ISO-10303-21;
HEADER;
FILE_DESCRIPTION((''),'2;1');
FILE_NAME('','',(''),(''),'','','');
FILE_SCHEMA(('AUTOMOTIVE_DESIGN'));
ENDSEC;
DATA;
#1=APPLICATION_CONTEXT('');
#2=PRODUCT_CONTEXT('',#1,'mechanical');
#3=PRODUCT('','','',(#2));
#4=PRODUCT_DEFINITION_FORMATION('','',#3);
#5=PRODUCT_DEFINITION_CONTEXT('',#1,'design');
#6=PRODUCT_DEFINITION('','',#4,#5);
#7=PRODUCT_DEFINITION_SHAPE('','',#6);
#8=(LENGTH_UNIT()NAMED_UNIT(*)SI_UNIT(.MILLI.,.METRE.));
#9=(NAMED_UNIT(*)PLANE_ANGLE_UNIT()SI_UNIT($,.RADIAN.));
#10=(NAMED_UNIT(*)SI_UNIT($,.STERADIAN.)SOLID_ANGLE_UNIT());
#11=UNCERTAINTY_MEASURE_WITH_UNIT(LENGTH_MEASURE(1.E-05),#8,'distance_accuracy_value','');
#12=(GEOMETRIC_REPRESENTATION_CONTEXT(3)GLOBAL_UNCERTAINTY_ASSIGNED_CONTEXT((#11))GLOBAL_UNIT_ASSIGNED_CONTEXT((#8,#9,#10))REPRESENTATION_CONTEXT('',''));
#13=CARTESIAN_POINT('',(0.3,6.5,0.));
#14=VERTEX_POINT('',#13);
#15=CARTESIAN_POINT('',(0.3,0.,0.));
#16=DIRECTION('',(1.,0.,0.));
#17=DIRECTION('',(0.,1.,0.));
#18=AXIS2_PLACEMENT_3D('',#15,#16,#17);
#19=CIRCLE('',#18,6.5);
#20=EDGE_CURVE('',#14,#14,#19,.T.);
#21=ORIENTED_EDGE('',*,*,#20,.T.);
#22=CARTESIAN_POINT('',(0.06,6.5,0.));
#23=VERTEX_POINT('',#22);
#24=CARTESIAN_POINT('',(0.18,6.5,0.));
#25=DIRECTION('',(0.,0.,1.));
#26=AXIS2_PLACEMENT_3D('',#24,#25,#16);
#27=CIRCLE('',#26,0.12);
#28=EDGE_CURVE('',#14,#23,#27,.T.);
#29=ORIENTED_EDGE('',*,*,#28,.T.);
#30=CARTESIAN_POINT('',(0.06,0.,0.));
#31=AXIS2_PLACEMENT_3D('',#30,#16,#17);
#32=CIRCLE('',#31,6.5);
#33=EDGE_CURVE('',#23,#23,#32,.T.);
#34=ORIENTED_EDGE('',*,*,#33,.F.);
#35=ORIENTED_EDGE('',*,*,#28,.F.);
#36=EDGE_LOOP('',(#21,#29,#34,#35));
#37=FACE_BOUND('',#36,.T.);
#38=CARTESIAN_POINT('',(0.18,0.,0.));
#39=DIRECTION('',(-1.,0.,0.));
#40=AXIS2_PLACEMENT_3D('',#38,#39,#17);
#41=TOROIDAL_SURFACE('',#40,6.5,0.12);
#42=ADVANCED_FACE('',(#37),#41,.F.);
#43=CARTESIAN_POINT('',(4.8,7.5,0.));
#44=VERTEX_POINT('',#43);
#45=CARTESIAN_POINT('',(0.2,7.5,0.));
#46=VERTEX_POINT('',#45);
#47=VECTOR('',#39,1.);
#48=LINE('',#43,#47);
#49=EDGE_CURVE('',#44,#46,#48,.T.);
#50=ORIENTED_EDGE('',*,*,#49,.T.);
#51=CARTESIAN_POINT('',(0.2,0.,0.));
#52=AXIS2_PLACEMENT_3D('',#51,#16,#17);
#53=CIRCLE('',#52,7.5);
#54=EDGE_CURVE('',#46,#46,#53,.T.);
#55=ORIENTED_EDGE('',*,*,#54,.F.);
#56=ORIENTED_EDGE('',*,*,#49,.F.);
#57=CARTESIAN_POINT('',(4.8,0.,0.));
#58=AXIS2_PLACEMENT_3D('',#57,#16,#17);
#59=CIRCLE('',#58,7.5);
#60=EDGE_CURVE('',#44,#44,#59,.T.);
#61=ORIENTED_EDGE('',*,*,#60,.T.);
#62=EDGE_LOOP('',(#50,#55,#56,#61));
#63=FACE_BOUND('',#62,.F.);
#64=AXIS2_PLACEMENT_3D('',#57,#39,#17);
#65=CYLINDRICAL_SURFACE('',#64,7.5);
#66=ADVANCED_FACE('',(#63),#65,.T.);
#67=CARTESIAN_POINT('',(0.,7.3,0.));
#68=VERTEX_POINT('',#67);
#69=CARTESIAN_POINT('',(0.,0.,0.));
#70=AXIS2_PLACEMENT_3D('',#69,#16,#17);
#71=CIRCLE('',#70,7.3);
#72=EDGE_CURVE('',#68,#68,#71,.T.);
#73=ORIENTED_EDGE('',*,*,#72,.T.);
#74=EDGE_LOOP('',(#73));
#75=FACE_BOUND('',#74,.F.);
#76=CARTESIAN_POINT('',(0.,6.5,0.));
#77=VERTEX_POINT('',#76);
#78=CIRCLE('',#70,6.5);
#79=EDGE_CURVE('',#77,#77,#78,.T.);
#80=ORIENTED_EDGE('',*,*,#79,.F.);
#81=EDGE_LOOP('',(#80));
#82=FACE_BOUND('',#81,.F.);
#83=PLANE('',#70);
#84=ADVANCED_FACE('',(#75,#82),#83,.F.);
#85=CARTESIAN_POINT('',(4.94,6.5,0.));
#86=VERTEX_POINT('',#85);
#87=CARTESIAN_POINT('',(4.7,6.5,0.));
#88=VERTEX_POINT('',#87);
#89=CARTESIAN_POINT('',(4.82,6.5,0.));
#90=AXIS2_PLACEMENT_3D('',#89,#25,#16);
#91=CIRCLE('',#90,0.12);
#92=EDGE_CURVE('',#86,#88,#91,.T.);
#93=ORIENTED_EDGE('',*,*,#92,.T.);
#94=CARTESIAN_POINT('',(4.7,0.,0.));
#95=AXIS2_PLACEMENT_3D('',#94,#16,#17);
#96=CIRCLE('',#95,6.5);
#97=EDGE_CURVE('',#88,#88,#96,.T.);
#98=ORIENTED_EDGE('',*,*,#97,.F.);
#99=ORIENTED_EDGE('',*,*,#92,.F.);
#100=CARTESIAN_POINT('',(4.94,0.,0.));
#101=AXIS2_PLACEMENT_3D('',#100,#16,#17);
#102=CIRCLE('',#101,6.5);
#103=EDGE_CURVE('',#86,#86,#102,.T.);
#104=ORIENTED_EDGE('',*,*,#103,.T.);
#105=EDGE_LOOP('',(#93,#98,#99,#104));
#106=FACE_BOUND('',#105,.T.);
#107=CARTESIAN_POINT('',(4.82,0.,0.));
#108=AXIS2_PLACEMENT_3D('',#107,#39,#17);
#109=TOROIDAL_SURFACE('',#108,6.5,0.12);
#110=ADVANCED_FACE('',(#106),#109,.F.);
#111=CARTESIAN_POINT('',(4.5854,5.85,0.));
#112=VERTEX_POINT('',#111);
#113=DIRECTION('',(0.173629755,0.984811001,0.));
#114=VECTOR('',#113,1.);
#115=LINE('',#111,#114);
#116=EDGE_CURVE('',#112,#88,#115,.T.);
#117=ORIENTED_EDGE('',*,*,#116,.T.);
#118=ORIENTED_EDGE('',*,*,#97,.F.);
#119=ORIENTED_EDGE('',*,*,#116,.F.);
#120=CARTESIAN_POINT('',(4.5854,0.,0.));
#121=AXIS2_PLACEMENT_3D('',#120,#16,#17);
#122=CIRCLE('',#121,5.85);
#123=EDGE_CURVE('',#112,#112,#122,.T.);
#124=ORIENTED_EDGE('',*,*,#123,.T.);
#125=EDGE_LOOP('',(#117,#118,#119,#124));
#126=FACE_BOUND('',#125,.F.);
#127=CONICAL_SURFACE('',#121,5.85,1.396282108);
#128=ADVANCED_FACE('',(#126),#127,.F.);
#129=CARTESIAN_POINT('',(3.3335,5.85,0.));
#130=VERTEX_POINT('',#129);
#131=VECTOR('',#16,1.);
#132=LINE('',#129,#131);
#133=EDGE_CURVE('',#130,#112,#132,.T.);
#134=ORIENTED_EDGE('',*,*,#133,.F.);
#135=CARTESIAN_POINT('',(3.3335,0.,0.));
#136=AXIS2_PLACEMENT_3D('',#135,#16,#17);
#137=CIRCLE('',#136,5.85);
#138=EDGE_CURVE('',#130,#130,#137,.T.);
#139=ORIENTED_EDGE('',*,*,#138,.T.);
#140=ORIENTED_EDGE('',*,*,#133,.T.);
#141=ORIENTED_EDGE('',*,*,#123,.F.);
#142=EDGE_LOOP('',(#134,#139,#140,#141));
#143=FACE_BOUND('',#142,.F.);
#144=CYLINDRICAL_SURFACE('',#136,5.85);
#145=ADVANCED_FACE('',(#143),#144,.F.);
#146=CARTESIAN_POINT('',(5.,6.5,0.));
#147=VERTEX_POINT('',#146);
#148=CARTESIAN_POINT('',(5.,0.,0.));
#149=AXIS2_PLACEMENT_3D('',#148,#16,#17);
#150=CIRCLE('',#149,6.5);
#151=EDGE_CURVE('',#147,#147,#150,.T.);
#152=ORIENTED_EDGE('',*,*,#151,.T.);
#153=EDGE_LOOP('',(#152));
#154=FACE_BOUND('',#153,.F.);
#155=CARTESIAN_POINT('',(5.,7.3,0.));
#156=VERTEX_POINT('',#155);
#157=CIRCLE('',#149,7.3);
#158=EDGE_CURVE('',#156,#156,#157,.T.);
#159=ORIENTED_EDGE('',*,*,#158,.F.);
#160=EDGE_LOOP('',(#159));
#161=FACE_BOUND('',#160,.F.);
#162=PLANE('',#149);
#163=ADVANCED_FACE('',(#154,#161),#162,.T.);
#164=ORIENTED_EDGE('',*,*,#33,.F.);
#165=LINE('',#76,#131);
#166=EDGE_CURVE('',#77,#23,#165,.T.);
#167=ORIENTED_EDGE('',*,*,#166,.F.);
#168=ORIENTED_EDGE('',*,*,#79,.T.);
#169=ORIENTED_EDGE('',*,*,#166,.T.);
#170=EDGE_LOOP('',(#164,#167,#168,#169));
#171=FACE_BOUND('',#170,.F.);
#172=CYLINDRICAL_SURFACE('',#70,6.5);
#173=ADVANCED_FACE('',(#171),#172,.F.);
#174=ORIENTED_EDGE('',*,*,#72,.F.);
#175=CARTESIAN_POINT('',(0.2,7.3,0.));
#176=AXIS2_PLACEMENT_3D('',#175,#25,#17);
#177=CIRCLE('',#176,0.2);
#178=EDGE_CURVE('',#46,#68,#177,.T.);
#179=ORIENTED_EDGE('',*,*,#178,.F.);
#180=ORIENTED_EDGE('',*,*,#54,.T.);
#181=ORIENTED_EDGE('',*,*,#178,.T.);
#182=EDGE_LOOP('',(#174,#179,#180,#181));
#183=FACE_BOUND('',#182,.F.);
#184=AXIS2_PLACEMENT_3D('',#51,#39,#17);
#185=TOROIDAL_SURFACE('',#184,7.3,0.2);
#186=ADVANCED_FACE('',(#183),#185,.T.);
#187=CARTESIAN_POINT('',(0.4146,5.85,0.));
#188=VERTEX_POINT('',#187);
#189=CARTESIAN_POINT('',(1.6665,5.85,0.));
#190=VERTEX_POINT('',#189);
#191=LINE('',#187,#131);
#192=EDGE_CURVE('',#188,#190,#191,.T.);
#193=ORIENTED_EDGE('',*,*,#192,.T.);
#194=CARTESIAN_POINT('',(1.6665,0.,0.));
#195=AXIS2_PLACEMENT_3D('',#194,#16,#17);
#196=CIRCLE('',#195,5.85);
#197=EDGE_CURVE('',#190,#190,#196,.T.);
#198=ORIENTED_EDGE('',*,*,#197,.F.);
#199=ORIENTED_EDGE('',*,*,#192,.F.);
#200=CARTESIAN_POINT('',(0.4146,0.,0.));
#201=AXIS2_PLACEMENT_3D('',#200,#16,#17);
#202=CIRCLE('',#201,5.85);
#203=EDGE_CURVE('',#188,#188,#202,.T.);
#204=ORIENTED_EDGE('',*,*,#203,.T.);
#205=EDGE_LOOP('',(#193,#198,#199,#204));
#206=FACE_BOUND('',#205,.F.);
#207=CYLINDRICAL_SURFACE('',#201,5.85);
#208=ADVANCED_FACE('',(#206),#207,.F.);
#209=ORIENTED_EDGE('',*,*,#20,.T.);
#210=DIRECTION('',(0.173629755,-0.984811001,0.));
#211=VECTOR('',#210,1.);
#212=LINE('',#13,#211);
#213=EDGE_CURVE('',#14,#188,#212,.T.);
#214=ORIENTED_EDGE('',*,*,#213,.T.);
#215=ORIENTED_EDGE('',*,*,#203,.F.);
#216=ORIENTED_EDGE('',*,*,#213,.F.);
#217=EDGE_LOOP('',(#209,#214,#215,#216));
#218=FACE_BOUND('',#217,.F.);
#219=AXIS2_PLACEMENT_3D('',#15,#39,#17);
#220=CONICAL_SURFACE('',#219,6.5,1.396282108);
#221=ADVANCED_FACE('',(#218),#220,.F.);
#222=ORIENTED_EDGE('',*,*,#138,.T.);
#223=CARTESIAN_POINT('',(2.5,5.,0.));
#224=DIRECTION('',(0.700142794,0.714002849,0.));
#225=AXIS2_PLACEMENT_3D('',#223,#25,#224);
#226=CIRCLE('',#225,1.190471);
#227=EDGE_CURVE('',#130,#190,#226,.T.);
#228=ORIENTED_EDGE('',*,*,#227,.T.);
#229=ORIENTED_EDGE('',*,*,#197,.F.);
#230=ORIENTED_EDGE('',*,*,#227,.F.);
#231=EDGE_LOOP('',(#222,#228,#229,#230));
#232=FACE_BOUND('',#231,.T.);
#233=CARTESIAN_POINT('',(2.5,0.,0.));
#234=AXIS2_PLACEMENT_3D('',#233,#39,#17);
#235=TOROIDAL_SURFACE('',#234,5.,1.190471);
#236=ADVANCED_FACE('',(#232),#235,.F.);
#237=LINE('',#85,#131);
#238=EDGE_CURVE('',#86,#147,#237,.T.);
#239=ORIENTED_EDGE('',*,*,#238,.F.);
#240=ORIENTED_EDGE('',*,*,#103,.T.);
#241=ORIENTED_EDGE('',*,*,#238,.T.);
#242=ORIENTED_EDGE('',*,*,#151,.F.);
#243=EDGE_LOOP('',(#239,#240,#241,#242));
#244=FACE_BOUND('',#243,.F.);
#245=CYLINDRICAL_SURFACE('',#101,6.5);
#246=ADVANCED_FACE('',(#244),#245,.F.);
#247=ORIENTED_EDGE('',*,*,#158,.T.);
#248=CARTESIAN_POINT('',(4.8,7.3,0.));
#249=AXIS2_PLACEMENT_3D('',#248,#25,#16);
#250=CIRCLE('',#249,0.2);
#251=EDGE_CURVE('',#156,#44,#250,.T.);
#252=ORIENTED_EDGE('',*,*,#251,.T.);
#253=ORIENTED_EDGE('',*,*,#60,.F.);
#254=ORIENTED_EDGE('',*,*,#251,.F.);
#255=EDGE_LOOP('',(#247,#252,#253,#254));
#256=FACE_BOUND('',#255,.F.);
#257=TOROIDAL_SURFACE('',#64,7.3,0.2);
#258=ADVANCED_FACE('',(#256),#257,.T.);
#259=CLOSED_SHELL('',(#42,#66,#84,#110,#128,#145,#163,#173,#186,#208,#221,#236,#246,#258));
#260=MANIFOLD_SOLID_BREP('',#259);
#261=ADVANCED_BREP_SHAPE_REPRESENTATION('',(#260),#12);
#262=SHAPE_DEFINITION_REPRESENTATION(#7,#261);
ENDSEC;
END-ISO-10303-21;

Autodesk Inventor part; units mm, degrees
ref_plane "YZ Plane" through (0, 0, 0) normal (1, 0, 0) x (0, 1, 0)
ref_plane "XZ Plane" through (0, 0, 0) normal (0, 1, 0) x (-1, 0, 0)
ref_plane "XY Plane" through (0, 0, 0) normal (0, 0, 1) x (1, 0, 0)
sketch "Sketch_17" plane through (0, 0, 0) normal (0, 0, 1) x (1, 0, 0)
  line L0 (50, 0) -> (-50, 0)
  line L1 (0, 7.3) -> (0, 6.5)
  line L2 (0, 6.5) -> (0.06, 6.5)
  arc A0 (0.3, 6.5) -> (0.06, 6.5) centre (0.18, 6.5) ccw
  line L3 (0.3, 6.5) -> (0.4146, 5.85)
  line L4 (0.4146, 5.85) -> (1.6665, 5.85)
  arc A1 (3.3335, 5.85) -> (1.6665, 5.85) centre (2.5, 5) ccw
  line L5 (3.3335, 5.85) -> (4.5854, 5.85)
  line L6 (4.5854, 5.85) -> (4.7, 6.5)
  arc A2 (4.94, 6.5) -> (4.7, 6.5) centre (4.82, 6.5) ccw
  line L7 (4.94, 6.5) -> (5, 6.5)
  line L8 (5, 6.5) -> (5, 7.3)
  arc A3 (5, 7.3) -> (4.8, 7.5) centre (4.8, 7.3) ccw
  line L9 (4.8, 7.5) -> (0.2, 7.5)
  arc A4 (0.2, 7.5) -> (0, 7.3) centre (0.2, 7.3) ccw
revolve "Revolution1" add sketch "Sketch_17" angle 360 about axis through (50, 0, 0) along (1, 0, 0)
properties part number "SKF_619/6-2Z_PART2"
